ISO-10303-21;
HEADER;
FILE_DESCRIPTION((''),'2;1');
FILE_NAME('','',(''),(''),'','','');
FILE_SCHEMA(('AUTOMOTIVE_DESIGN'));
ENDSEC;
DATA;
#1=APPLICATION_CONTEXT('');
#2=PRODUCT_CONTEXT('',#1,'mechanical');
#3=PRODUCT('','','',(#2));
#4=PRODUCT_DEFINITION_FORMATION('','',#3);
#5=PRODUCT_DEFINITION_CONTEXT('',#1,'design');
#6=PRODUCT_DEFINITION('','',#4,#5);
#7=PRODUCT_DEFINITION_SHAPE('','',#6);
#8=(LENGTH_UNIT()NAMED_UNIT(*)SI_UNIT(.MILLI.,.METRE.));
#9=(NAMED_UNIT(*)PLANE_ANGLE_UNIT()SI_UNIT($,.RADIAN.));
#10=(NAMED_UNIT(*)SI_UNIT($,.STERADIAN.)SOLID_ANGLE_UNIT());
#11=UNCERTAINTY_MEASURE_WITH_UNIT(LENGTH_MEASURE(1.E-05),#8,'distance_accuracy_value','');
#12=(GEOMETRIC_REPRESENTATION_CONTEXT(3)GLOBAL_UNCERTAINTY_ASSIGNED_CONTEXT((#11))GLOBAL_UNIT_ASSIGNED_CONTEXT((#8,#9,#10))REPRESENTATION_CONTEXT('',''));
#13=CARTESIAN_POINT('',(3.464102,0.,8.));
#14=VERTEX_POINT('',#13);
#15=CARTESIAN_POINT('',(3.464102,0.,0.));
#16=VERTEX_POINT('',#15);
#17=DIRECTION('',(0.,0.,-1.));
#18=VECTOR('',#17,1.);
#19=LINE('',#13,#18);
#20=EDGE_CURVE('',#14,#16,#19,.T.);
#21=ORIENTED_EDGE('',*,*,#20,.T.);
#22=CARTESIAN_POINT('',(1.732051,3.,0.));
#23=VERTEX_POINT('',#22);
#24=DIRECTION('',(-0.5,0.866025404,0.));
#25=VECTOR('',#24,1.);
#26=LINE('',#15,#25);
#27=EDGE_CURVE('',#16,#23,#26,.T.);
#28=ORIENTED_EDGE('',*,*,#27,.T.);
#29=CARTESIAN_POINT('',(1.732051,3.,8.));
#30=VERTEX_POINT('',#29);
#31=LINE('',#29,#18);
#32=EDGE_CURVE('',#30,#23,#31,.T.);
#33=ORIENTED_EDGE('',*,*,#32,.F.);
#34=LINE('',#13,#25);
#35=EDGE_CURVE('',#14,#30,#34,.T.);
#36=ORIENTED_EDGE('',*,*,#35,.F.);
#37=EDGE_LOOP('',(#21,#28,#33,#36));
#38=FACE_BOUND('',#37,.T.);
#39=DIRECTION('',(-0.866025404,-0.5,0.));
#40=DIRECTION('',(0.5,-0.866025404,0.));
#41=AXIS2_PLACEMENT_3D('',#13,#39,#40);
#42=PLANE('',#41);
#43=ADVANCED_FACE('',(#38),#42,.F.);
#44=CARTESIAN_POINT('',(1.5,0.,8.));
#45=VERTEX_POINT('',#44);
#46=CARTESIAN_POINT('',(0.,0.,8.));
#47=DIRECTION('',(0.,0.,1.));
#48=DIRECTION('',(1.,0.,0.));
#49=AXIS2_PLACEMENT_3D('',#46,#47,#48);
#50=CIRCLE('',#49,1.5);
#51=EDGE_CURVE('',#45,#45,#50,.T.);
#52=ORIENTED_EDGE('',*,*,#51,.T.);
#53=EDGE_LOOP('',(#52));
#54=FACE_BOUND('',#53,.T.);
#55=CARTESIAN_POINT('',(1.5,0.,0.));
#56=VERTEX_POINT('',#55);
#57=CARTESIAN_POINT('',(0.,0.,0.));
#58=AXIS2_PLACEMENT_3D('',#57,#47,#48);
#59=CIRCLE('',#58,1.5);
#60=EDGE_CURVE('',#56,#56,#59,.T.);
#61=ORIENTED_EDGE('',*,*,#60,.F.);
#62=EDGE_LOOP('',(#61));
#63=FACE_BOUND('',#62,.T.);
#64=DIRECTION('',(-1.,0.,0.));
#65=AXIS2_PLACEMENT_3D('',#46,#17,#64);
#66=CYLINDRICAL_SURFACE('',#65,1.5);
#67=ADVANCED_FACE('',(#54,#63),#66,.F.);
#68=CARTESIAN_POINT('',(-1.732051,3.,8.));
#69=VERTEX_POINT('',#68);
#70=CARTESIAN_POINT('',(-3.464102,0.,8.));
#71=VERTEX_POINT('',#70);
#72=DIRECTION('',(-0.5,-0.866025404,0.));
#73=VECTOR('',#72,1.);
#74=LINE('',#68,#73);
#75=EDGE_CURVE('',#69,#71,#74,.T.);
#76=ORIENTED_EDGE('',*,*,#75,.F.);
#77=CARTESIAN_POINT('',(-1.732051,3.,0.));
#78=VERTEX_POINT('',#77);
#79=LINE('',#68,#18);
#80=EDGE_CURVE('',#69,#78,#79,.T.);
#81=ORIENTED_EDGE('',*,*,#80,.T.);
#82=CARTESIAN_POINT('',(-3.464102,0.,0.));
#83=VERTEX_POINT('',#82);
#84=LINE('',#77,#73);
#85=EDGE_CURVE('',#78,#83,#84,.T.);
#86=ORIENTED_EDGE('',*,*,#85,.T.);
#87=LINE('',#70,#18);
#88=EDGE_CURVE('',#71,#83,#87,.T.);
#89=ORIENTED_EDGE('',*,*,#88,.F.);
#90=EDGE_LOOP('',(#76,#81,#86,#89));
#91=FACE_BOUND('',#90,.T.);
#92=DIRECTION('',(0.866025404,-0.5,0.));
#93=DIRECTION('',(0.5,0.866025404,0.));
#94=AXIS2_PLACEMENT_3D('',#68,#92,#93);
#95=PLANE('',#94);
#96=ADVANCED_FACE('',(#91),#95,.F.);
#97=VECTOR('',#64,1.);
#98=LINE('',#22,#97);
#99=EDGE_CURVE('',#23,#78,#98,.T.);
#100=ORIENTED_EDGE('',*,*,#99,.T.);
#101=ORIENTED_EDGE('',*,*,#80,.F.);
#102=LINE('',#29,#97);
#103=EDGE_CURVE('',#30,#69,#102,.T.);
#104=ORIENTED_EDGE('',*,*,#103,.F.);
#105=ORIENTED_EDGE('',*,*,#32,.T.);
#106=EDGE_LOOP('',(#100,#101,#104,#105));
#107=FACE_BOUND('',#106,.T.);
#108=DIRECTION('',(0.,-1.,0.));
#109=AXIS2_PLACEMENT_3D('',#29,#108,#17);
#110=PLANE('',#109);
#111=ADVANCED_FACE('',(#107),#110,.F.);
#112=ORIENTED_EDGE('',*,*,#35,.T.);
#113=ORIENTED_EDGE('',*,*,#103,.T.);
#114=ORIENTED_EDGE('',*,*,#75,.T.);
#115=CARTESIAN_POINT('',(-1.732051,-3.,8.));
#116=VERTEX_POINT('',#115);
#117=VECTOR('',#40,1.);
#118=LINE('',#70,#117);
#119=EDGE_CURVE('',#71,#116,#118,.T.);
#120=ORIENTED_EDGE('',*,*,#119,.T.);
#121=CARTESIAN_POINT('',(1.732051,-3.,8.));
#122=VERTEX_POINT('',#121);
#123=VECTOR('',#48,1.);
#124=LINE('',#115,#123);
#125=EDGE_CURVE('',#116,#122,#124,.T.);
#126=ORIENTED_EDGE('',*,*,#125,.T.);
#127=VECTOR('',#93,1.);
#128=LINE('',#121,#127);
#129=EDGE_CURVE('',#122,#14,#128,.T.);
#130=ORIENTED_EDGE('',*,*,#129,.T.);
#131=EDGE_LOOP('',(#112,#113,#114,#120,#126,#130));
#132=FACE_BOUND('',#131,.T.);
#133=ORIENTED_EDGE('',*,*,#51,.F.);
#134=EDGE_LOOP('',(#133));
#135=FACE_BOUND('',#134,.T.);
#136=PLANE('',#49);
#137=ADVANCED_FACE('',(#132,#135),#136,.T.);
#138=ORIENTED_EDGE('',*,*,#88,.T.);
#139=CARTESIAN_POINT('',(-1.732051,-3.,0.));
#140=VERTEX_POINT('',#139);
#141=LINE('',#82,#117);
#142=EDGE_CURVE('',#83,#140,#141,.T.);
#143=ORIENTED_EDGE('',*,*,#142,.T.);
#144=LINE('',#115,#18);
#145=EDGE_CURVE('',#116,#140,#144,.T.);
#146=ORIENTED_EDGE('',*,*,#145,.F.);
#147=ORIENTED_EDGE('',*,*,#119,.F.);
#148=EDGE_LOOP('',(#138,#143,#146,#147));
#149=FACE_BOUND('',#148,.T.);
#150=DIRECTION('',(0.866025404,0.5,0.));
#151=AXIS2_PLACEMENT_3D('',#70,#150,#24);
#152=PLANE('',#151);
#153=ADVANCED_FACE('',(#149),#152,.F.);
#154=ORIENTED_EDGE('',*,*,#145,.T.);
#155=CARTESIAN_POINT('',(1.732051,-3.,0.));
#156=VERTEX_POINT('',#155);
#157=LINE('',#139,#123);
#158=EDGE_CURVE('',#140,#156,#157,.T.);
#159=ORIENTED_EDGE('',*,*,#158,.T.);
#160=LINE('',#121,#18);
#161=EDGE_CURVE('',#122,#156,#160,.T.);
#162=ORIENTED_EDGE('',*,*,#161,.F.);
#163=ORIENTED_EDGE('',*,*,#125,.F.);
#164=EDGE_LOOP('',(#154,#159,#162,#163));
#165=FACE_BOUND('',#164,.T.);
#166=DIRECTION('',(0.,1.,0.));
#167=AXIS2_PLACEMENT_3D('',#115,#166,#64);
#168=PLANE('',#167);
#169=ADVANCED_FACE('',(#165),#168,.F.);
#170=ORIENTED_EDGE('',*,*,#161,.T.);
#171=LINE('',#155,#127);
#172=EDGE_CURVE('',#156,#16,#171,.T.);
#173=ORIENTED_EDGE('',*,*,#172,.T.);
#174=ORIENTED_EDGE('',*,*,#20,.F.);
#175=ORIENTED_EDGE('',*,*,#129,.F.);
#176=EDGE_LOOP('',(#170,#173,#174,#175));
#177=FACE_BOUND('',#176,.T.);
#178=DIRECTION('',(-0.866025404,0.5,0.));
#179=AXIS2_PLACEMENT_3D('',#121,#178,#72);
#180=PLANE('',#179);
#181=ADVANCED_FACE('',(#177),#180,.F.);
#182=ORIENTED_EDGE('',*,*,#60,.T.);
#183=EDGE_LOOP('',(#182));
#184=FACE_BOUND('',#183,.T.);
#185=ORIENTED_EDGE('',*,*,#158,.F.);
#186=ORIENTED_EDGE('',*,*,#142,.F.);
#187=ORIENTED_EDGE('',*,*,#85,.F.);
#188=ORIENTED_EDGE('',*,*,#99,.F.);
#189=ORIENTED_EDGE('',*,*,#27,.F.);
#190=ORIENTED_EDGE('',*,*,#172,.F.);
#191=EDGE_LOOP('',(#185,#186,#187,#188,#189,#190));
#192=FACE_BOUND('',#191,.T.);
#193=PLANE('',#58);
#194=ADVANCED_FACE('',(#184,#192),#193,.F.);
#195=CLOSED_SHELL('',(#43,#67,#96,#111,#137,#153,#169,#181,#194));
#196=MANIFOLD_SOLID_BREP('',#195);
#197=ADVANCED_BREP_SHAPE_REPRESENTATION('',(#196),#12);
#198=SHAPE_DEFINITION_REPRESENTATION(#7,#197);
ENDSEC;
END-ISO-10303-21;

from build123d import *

# Parameters (mm, degrees)
SKETCH_1_R      = 1.5
EXTRUDE_1_DEPTH = 8


with BuildPart() as part:
    # 草图1 → 凸台-拉伸1 (new body)
    with BuildSketch(Plane.XY):
        Polygon((1.732050808, 3), (-1.732050808, 3), (-3.464101615, 0), (-1.732050808, -3), (1.732050808, -3), (3.464101615, 0), align=None)
        Circle(SKETCH_1_R, mode=Mode.SUBTRACT)
    extrude(amount=EXTRUDE_1_DEPTH)


solid = part.part
